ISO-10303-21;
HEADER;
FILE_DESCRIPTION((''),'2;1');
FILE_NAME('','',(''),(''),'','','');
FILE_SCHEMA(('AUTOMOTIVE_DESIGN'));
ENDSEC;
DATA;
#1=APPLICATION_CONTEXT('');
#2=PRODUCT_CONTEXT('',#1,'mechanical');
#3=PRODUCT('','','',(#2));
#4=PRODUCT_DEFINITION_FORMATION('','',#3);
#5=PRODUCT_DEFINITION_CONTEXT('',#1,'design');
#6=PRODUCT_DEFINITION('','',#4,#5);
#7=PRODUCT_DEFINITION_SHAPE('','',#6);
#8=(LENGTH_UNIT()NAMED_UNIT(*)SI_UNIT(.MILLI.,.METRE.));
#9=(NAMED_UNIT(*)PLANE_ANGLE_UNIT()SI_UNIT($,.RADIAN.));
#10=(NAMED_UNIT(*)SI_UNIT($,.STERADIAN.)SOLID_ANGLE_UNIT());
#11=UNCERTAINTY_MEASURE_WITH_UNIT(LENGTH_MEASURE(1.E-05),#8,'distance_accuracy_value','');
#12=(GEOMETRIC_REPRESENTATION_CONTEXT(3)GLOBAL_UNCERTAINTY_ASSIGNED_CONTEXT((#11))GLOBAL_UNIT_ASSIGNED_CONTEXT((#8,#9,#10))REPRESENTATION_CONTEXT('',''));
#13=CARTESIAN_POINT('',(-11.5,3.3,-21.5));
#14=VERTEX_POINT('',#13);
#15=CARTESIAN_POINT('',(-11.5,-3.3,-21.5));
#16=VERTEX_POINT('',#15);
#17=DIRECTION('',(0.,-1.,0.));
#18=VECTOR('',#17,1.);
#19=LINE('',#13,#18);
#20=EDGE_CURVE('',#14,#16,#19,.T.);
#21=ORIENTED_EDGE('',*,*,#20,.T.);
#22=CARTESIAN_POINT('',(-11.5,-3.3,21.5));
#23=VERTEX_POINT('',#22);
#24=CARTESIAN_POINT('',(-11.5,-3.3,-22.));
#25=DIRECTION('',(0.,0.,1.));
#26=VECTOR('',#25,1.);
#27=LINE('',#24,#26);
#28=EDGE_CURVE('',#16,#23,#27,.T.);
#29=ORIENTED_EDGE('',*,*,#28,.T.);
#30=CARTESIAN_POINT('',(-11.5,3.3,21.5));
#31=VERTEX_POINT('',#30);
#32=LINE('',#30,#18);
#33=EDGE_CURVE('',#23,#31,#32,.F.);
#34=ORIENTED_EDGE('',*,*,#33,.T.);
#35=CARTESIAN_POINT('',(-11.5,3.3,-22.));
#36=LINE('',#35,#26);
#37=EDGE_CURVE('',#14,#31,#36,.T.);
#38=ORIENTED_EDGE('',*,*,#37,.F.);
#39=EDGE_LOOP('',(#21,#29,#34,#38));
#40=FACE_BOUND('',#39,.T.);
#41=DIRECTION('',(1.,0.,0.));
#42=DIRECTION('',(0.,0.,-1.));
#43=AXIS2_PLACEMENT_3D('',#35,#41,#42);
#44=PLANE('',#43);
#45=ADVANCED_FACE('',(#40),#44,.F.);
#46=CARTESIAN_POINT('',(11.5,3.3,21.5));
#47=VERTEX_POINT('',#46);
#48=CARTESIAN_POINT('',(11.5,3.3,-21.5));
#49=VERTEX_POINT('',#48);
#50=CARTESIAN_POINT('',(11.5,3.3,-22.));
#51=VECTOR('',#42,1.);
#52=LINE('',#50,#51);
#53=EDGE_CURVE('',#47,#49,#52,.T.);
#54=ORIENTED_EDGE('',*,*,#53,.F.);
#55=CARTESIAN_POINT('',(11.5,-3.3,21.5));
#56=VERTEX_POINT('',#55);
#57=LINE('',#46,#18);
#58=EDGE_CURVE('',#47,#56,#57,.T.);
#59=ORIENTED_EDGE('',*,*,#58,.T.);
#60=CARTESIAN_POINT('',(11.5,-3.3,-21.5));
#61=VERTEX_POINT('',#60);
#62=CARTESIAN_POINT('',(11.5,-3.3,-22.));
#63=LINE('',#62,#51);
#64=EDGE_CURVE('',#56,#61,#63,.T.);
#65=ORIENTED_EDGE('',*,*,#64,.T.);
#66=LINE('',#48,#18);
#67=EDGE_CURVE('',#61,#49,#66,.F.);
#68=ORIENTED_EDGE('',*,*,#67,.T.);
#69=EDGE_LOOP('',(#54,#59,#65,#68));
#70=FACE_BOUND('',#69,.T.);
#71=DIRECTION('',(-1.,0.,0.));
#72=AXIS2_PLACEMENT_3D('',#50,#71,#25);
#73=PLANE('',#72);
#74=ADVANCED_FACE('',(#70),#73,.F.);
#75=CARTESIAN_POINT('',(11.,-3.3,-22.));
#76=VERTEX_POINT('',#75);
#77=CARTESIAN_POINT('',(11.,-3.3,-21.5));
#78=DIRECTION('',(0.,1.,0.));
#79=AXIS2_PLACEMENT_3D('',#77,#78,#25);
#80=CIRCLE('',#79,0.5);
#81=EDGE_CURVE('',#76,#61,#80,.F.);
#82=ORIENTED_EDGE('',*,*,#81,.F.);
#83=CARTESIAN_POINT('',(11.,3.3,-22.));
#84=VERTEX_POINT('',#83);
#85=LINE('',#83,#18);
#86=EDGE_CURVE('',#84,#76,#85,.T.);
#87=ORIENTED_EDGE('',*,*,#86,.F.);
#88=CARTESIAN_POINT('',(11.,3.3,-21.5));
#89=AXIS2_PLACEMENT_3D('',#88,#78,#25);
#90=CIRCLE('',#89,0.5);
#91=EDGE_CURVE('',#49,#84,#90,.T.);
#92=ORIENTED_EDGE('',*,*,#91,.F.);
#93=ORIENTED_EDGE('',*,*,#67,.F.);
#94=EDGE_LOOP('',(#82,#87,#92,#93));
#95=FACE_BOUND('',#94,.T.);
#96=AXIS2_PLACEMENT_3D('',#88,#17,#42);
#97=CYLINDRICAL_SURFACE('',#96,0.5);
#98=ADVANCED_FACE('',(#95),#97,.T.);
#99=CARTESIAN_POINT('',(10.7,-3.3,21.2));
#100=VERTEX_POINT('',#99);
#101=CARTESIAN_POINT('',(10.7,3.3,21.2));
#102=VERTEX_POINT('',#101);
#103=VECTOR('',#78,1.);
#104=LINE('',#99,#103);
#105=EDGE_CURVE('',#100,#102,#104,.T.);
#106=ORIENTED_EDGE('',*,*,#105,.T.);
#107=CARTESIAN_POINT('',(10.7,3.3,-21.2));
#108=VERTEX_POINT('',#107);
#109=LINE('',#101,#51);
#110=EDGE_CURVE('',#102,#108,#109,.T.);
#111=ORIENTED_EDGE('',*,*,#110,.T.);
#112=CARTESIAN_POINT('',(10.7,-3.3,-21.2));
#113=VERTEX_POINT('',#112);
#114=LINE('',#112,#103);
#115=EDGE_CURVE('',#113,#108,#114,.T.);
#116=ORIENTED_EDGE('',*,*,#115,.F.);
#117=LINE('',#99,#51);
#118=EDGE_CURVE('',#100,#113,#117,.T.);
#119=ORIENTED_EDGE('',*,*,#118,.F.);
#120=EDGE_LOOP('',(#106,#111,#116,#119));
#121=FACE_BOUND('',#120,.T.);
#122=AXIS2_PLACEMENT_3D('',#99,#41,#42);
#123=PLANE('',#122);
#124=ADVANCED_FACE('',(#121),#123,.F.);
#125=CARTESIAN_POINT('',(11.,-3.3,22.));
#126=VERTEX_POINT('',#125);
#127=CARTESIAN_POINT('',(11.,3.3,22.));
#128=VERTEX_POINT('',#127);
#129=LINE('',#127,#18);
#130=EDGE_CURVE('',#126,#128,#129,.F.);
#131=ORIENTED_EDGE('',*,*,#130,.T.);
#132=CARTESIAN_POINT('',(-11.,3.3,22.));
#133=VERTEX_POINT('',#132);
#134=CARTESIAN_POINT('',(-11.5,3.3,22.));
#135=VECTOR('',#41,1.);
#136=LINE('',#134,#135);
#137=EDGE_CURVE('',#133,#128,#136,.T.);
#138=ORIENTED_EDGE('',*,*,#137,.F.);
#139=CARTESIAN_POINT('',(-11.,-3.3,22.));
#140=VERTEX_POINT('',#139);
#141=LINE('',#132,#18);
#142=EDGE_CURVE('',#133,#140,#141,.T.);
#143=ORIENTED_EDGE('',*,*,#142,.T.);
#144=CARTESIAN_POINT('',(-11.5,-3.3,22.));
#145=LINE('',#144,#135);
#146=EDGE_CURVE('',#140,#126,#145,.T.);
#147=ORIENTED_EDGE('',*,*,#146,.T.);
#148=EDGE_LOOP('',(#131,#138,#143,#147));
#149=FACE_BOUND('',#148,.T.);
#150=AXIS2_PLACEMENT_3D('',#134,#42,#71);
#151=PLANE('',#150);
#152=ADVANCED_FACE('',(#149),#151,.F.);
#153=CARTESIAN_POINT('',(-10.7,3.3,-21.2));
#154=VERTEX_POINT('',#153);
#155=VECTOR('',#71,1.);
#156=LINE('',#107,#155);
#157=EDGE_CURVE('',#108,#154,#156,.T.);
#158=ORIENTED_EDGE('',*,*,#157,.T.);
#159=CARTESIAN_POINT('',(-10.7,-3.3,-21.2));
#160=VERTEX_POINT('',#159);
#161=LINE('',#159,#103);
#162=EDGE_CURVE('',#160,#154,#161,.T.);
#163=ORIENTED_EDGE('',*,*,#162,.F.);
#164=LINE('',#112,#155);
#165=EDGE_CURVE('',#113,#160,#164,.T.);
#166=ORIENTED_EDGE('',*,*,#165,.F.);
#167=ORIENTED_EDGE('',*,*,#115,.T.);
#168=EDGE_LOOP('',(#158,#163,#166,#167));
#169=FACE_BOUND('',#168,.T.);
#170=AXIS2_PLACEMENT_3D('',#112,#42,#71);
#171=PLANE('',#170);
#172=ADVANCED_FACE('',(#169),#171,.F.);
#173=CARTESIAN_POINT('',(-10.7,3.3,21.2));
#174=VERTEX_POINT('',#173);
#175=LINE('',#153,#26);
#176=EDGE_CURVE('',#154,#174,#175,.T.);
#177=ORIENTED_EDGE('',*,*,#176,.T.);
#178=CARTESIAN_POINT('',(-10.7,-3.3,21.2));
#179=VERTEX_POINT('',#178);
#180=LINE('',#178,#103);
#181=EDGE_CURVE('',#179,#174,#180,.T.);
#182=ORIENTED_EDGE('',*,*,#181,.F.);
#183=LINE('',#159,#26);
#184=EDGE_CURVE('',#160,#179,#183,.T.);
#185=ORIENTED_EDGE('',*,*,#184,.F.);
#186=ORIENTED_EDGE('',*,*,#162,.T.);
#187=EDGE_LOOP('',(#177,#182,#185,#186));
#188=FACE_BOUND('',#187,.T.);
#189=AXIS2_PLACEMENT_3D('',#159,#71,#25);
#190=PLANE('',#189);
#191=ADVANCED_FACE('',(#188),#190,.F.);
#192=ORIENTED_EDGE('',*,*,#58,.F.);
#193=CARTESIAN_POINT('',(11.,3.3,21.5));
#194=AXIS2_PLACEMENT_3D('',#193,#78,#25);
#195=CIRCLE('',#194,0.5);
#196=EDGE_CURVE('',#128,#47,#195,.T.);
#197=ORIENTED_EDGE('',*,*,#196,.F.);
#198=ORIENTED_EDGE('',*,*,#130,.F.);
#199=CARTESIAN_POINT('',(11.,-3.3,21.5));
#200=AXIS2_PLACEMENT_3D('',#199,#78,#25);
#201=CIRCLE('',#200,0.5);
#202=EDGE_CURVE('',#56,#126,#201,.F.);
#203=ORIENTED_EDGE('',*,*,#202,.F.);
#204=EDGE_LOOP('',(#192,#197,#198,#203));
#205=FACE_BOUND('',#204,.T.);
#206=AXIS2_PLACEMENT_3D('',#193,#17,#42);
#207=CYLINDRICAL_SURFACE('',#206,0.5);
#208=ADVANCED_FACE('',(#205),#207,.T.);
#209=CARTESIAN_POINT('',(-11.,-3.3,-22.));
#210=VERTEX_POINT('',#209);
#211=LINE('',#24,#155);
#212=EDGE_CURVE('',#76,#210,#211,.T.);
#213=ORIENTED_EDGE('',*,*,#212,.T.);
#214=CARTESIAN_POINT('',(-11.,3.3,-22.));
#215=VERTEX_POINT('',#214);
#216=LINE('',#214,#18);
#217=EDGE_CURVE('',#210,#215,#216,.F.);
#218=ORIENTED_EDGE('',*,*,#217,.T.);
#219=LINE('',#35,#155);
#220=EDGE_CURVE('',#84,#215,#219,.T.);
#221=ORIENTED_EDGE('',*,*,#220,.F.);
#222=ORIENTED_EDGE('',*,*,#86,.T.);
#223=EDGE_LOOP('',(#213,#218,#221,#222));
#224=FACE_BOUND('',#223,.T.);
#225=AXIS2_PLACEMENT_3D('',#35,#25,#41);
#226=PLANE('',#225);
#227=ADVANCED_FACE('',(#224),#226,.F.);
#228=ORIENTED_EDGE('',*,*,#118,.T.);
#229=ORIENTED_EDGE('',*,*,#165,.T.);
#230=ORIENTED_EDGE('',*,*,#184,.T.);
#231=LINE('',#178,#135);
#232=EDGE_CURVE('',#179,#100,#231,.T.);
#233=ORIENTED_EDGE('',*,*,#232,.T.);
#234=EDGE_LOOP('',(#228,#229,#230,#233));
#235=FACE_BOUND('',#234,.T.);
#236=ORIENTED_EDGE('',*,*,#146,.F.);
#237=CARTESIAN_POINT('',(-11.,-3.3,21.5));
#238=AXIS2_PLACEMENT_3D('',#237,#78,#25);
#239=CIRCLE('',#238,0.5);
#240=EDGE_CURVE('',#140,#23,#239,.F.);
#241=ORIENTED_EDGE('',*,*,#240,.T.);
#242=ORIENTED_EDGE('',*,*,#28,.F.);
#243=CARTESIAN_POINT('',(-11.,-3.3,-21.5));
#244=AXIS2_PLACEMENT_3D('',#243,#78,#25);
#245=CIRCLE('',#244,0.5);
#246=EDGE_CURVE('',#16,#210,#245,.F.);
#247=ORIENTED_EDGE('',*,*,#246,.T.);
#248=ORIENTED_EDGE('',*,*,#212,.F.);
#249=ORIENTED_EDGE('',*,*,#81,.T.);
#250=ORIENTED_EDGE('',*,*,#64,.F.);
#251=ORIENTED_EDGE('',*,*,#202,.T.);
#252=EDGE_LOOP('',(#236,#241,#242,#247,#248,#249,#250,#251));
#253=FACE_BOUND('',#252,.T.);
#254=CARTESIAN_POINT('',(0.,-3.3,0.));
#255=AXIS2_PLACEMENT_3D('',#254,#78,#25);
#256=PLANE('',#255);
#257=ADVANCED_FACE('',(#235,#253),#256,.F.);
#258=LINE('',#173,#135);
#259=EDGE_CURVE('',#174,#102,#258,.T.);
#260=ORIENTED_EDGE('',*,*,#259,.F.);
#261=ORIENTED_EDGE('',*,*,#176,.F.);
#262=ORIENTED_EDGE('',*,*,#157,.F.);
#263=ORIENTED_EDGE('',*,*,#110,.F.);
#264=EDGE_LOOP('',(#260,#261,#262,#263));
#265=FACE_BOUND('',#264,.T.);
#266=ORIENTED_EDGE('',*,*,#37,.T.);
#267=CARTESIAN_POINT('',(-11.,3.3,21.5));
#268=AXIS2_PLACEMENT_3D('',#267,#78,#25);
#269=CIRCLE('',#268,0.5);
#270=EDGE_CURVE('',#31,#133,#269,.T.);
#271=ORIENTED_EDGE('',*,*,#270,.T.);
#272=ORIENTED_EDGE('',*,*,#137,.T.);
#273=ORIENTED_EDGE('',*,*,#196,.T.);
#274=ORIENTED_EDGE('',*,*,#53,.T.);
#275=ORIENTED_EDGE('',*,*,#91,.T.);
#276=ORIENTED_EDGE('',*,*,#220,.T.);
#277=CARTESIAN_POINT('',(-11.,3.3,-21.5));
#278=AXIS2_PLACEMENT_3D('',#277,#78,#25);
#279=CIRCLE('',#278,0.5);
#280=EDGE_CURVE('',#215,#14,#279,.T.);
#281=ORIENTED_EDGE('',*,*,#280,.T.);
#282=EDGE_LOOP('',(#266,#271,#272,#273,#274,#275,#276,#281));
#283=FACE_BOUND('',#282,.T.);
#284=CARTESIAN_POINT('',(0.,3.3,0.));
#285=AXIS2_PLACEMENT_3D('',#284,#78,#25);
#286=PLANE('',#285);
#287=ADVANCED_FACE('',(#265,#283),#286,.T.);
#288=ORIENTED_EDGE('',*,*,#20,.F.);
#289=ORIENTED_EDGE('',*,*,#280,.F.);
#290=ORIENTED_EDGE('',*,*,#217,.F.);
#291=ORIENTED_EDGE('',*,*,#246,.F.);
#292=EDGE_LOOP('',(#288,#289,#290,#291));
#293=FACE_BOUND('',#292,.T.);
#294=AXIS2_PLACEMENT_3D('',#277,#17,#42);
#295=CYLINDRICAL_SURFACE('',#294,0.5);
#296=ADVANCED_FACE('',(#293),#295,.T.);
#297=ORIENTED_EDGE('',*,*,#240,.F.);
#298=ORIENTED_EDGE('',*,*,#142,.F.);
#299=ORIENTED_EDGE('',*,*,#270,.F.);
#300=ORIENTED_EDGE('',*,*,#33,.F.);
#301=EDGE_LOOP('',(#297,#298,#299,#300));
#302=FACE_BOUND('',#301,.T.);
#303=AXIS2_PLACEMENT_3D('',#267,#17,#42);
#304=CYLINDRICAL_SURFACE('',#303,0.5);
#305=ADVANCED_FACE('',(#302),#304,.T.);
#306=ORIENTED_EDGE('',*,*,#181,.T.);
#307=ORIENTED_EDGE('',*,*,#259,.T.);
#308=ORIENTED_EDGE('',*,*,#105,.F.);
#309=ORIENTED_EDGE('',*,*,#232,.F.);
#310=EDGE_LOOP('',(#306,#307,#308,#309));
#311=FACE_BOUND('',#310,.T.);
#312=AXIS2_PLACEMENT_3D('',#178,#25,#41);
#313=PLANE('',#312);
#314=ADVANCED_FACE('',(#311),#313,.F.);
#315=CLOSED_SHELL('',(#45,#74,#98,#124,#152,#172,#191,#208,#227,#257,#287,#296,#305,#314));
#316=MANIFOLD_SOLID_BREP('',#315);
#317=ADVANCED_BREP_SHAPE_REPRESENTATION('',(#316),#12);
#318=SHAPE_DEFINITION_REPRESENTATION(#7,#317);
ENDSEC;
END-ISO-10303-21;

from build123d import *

# Parameters (mm, degrees)
BASES_W            = 23
BASES_H            = 44
BASE_DEPTH         = 3.3
BASE_F_R           = 0.5
POCKETS_W          = 21.4
POCKETS_H          = 42.4
CUT_EXTRUDE3_DEPTH = 26.686767021


with BuildPart() as part:
    # BaseS → BASE (new, symmetric)
    with BuildSketch(Plane(origin=(0, 0, 0), x_dir=(1, 0, 0), z_dir=(0, 1, 0))):
        Rectangle(BASES_W, BASES_H)
    extrude(amount=BASE_DEPTH, both=True)

    # BASE F
    base_f_edges = [part.edges().sort_by_distance(p)[0] for p in [
        (11.5, 0, 22),
        (-11.5, 0, 22),
        (-11.5, 0, -22),
        (11.5, 0, -22),
    ]]
    fillet(base_f_edges, radius=BASE_F_R)

    # PocketS → Cut-Extrude3 (cut, through all)
    with BuildSketch(Plane(origin=(0, 3.3, 0), x_dir=(1, 0, 0), z_dir=(0, 1, 0))):
        Rectangle(POCKETS_W, POCKETS_H)
    extrude(amount=-CUT_EXTRUDE3_DEPTH, mode=Mode.SUBTRACT)


solid = part.part
